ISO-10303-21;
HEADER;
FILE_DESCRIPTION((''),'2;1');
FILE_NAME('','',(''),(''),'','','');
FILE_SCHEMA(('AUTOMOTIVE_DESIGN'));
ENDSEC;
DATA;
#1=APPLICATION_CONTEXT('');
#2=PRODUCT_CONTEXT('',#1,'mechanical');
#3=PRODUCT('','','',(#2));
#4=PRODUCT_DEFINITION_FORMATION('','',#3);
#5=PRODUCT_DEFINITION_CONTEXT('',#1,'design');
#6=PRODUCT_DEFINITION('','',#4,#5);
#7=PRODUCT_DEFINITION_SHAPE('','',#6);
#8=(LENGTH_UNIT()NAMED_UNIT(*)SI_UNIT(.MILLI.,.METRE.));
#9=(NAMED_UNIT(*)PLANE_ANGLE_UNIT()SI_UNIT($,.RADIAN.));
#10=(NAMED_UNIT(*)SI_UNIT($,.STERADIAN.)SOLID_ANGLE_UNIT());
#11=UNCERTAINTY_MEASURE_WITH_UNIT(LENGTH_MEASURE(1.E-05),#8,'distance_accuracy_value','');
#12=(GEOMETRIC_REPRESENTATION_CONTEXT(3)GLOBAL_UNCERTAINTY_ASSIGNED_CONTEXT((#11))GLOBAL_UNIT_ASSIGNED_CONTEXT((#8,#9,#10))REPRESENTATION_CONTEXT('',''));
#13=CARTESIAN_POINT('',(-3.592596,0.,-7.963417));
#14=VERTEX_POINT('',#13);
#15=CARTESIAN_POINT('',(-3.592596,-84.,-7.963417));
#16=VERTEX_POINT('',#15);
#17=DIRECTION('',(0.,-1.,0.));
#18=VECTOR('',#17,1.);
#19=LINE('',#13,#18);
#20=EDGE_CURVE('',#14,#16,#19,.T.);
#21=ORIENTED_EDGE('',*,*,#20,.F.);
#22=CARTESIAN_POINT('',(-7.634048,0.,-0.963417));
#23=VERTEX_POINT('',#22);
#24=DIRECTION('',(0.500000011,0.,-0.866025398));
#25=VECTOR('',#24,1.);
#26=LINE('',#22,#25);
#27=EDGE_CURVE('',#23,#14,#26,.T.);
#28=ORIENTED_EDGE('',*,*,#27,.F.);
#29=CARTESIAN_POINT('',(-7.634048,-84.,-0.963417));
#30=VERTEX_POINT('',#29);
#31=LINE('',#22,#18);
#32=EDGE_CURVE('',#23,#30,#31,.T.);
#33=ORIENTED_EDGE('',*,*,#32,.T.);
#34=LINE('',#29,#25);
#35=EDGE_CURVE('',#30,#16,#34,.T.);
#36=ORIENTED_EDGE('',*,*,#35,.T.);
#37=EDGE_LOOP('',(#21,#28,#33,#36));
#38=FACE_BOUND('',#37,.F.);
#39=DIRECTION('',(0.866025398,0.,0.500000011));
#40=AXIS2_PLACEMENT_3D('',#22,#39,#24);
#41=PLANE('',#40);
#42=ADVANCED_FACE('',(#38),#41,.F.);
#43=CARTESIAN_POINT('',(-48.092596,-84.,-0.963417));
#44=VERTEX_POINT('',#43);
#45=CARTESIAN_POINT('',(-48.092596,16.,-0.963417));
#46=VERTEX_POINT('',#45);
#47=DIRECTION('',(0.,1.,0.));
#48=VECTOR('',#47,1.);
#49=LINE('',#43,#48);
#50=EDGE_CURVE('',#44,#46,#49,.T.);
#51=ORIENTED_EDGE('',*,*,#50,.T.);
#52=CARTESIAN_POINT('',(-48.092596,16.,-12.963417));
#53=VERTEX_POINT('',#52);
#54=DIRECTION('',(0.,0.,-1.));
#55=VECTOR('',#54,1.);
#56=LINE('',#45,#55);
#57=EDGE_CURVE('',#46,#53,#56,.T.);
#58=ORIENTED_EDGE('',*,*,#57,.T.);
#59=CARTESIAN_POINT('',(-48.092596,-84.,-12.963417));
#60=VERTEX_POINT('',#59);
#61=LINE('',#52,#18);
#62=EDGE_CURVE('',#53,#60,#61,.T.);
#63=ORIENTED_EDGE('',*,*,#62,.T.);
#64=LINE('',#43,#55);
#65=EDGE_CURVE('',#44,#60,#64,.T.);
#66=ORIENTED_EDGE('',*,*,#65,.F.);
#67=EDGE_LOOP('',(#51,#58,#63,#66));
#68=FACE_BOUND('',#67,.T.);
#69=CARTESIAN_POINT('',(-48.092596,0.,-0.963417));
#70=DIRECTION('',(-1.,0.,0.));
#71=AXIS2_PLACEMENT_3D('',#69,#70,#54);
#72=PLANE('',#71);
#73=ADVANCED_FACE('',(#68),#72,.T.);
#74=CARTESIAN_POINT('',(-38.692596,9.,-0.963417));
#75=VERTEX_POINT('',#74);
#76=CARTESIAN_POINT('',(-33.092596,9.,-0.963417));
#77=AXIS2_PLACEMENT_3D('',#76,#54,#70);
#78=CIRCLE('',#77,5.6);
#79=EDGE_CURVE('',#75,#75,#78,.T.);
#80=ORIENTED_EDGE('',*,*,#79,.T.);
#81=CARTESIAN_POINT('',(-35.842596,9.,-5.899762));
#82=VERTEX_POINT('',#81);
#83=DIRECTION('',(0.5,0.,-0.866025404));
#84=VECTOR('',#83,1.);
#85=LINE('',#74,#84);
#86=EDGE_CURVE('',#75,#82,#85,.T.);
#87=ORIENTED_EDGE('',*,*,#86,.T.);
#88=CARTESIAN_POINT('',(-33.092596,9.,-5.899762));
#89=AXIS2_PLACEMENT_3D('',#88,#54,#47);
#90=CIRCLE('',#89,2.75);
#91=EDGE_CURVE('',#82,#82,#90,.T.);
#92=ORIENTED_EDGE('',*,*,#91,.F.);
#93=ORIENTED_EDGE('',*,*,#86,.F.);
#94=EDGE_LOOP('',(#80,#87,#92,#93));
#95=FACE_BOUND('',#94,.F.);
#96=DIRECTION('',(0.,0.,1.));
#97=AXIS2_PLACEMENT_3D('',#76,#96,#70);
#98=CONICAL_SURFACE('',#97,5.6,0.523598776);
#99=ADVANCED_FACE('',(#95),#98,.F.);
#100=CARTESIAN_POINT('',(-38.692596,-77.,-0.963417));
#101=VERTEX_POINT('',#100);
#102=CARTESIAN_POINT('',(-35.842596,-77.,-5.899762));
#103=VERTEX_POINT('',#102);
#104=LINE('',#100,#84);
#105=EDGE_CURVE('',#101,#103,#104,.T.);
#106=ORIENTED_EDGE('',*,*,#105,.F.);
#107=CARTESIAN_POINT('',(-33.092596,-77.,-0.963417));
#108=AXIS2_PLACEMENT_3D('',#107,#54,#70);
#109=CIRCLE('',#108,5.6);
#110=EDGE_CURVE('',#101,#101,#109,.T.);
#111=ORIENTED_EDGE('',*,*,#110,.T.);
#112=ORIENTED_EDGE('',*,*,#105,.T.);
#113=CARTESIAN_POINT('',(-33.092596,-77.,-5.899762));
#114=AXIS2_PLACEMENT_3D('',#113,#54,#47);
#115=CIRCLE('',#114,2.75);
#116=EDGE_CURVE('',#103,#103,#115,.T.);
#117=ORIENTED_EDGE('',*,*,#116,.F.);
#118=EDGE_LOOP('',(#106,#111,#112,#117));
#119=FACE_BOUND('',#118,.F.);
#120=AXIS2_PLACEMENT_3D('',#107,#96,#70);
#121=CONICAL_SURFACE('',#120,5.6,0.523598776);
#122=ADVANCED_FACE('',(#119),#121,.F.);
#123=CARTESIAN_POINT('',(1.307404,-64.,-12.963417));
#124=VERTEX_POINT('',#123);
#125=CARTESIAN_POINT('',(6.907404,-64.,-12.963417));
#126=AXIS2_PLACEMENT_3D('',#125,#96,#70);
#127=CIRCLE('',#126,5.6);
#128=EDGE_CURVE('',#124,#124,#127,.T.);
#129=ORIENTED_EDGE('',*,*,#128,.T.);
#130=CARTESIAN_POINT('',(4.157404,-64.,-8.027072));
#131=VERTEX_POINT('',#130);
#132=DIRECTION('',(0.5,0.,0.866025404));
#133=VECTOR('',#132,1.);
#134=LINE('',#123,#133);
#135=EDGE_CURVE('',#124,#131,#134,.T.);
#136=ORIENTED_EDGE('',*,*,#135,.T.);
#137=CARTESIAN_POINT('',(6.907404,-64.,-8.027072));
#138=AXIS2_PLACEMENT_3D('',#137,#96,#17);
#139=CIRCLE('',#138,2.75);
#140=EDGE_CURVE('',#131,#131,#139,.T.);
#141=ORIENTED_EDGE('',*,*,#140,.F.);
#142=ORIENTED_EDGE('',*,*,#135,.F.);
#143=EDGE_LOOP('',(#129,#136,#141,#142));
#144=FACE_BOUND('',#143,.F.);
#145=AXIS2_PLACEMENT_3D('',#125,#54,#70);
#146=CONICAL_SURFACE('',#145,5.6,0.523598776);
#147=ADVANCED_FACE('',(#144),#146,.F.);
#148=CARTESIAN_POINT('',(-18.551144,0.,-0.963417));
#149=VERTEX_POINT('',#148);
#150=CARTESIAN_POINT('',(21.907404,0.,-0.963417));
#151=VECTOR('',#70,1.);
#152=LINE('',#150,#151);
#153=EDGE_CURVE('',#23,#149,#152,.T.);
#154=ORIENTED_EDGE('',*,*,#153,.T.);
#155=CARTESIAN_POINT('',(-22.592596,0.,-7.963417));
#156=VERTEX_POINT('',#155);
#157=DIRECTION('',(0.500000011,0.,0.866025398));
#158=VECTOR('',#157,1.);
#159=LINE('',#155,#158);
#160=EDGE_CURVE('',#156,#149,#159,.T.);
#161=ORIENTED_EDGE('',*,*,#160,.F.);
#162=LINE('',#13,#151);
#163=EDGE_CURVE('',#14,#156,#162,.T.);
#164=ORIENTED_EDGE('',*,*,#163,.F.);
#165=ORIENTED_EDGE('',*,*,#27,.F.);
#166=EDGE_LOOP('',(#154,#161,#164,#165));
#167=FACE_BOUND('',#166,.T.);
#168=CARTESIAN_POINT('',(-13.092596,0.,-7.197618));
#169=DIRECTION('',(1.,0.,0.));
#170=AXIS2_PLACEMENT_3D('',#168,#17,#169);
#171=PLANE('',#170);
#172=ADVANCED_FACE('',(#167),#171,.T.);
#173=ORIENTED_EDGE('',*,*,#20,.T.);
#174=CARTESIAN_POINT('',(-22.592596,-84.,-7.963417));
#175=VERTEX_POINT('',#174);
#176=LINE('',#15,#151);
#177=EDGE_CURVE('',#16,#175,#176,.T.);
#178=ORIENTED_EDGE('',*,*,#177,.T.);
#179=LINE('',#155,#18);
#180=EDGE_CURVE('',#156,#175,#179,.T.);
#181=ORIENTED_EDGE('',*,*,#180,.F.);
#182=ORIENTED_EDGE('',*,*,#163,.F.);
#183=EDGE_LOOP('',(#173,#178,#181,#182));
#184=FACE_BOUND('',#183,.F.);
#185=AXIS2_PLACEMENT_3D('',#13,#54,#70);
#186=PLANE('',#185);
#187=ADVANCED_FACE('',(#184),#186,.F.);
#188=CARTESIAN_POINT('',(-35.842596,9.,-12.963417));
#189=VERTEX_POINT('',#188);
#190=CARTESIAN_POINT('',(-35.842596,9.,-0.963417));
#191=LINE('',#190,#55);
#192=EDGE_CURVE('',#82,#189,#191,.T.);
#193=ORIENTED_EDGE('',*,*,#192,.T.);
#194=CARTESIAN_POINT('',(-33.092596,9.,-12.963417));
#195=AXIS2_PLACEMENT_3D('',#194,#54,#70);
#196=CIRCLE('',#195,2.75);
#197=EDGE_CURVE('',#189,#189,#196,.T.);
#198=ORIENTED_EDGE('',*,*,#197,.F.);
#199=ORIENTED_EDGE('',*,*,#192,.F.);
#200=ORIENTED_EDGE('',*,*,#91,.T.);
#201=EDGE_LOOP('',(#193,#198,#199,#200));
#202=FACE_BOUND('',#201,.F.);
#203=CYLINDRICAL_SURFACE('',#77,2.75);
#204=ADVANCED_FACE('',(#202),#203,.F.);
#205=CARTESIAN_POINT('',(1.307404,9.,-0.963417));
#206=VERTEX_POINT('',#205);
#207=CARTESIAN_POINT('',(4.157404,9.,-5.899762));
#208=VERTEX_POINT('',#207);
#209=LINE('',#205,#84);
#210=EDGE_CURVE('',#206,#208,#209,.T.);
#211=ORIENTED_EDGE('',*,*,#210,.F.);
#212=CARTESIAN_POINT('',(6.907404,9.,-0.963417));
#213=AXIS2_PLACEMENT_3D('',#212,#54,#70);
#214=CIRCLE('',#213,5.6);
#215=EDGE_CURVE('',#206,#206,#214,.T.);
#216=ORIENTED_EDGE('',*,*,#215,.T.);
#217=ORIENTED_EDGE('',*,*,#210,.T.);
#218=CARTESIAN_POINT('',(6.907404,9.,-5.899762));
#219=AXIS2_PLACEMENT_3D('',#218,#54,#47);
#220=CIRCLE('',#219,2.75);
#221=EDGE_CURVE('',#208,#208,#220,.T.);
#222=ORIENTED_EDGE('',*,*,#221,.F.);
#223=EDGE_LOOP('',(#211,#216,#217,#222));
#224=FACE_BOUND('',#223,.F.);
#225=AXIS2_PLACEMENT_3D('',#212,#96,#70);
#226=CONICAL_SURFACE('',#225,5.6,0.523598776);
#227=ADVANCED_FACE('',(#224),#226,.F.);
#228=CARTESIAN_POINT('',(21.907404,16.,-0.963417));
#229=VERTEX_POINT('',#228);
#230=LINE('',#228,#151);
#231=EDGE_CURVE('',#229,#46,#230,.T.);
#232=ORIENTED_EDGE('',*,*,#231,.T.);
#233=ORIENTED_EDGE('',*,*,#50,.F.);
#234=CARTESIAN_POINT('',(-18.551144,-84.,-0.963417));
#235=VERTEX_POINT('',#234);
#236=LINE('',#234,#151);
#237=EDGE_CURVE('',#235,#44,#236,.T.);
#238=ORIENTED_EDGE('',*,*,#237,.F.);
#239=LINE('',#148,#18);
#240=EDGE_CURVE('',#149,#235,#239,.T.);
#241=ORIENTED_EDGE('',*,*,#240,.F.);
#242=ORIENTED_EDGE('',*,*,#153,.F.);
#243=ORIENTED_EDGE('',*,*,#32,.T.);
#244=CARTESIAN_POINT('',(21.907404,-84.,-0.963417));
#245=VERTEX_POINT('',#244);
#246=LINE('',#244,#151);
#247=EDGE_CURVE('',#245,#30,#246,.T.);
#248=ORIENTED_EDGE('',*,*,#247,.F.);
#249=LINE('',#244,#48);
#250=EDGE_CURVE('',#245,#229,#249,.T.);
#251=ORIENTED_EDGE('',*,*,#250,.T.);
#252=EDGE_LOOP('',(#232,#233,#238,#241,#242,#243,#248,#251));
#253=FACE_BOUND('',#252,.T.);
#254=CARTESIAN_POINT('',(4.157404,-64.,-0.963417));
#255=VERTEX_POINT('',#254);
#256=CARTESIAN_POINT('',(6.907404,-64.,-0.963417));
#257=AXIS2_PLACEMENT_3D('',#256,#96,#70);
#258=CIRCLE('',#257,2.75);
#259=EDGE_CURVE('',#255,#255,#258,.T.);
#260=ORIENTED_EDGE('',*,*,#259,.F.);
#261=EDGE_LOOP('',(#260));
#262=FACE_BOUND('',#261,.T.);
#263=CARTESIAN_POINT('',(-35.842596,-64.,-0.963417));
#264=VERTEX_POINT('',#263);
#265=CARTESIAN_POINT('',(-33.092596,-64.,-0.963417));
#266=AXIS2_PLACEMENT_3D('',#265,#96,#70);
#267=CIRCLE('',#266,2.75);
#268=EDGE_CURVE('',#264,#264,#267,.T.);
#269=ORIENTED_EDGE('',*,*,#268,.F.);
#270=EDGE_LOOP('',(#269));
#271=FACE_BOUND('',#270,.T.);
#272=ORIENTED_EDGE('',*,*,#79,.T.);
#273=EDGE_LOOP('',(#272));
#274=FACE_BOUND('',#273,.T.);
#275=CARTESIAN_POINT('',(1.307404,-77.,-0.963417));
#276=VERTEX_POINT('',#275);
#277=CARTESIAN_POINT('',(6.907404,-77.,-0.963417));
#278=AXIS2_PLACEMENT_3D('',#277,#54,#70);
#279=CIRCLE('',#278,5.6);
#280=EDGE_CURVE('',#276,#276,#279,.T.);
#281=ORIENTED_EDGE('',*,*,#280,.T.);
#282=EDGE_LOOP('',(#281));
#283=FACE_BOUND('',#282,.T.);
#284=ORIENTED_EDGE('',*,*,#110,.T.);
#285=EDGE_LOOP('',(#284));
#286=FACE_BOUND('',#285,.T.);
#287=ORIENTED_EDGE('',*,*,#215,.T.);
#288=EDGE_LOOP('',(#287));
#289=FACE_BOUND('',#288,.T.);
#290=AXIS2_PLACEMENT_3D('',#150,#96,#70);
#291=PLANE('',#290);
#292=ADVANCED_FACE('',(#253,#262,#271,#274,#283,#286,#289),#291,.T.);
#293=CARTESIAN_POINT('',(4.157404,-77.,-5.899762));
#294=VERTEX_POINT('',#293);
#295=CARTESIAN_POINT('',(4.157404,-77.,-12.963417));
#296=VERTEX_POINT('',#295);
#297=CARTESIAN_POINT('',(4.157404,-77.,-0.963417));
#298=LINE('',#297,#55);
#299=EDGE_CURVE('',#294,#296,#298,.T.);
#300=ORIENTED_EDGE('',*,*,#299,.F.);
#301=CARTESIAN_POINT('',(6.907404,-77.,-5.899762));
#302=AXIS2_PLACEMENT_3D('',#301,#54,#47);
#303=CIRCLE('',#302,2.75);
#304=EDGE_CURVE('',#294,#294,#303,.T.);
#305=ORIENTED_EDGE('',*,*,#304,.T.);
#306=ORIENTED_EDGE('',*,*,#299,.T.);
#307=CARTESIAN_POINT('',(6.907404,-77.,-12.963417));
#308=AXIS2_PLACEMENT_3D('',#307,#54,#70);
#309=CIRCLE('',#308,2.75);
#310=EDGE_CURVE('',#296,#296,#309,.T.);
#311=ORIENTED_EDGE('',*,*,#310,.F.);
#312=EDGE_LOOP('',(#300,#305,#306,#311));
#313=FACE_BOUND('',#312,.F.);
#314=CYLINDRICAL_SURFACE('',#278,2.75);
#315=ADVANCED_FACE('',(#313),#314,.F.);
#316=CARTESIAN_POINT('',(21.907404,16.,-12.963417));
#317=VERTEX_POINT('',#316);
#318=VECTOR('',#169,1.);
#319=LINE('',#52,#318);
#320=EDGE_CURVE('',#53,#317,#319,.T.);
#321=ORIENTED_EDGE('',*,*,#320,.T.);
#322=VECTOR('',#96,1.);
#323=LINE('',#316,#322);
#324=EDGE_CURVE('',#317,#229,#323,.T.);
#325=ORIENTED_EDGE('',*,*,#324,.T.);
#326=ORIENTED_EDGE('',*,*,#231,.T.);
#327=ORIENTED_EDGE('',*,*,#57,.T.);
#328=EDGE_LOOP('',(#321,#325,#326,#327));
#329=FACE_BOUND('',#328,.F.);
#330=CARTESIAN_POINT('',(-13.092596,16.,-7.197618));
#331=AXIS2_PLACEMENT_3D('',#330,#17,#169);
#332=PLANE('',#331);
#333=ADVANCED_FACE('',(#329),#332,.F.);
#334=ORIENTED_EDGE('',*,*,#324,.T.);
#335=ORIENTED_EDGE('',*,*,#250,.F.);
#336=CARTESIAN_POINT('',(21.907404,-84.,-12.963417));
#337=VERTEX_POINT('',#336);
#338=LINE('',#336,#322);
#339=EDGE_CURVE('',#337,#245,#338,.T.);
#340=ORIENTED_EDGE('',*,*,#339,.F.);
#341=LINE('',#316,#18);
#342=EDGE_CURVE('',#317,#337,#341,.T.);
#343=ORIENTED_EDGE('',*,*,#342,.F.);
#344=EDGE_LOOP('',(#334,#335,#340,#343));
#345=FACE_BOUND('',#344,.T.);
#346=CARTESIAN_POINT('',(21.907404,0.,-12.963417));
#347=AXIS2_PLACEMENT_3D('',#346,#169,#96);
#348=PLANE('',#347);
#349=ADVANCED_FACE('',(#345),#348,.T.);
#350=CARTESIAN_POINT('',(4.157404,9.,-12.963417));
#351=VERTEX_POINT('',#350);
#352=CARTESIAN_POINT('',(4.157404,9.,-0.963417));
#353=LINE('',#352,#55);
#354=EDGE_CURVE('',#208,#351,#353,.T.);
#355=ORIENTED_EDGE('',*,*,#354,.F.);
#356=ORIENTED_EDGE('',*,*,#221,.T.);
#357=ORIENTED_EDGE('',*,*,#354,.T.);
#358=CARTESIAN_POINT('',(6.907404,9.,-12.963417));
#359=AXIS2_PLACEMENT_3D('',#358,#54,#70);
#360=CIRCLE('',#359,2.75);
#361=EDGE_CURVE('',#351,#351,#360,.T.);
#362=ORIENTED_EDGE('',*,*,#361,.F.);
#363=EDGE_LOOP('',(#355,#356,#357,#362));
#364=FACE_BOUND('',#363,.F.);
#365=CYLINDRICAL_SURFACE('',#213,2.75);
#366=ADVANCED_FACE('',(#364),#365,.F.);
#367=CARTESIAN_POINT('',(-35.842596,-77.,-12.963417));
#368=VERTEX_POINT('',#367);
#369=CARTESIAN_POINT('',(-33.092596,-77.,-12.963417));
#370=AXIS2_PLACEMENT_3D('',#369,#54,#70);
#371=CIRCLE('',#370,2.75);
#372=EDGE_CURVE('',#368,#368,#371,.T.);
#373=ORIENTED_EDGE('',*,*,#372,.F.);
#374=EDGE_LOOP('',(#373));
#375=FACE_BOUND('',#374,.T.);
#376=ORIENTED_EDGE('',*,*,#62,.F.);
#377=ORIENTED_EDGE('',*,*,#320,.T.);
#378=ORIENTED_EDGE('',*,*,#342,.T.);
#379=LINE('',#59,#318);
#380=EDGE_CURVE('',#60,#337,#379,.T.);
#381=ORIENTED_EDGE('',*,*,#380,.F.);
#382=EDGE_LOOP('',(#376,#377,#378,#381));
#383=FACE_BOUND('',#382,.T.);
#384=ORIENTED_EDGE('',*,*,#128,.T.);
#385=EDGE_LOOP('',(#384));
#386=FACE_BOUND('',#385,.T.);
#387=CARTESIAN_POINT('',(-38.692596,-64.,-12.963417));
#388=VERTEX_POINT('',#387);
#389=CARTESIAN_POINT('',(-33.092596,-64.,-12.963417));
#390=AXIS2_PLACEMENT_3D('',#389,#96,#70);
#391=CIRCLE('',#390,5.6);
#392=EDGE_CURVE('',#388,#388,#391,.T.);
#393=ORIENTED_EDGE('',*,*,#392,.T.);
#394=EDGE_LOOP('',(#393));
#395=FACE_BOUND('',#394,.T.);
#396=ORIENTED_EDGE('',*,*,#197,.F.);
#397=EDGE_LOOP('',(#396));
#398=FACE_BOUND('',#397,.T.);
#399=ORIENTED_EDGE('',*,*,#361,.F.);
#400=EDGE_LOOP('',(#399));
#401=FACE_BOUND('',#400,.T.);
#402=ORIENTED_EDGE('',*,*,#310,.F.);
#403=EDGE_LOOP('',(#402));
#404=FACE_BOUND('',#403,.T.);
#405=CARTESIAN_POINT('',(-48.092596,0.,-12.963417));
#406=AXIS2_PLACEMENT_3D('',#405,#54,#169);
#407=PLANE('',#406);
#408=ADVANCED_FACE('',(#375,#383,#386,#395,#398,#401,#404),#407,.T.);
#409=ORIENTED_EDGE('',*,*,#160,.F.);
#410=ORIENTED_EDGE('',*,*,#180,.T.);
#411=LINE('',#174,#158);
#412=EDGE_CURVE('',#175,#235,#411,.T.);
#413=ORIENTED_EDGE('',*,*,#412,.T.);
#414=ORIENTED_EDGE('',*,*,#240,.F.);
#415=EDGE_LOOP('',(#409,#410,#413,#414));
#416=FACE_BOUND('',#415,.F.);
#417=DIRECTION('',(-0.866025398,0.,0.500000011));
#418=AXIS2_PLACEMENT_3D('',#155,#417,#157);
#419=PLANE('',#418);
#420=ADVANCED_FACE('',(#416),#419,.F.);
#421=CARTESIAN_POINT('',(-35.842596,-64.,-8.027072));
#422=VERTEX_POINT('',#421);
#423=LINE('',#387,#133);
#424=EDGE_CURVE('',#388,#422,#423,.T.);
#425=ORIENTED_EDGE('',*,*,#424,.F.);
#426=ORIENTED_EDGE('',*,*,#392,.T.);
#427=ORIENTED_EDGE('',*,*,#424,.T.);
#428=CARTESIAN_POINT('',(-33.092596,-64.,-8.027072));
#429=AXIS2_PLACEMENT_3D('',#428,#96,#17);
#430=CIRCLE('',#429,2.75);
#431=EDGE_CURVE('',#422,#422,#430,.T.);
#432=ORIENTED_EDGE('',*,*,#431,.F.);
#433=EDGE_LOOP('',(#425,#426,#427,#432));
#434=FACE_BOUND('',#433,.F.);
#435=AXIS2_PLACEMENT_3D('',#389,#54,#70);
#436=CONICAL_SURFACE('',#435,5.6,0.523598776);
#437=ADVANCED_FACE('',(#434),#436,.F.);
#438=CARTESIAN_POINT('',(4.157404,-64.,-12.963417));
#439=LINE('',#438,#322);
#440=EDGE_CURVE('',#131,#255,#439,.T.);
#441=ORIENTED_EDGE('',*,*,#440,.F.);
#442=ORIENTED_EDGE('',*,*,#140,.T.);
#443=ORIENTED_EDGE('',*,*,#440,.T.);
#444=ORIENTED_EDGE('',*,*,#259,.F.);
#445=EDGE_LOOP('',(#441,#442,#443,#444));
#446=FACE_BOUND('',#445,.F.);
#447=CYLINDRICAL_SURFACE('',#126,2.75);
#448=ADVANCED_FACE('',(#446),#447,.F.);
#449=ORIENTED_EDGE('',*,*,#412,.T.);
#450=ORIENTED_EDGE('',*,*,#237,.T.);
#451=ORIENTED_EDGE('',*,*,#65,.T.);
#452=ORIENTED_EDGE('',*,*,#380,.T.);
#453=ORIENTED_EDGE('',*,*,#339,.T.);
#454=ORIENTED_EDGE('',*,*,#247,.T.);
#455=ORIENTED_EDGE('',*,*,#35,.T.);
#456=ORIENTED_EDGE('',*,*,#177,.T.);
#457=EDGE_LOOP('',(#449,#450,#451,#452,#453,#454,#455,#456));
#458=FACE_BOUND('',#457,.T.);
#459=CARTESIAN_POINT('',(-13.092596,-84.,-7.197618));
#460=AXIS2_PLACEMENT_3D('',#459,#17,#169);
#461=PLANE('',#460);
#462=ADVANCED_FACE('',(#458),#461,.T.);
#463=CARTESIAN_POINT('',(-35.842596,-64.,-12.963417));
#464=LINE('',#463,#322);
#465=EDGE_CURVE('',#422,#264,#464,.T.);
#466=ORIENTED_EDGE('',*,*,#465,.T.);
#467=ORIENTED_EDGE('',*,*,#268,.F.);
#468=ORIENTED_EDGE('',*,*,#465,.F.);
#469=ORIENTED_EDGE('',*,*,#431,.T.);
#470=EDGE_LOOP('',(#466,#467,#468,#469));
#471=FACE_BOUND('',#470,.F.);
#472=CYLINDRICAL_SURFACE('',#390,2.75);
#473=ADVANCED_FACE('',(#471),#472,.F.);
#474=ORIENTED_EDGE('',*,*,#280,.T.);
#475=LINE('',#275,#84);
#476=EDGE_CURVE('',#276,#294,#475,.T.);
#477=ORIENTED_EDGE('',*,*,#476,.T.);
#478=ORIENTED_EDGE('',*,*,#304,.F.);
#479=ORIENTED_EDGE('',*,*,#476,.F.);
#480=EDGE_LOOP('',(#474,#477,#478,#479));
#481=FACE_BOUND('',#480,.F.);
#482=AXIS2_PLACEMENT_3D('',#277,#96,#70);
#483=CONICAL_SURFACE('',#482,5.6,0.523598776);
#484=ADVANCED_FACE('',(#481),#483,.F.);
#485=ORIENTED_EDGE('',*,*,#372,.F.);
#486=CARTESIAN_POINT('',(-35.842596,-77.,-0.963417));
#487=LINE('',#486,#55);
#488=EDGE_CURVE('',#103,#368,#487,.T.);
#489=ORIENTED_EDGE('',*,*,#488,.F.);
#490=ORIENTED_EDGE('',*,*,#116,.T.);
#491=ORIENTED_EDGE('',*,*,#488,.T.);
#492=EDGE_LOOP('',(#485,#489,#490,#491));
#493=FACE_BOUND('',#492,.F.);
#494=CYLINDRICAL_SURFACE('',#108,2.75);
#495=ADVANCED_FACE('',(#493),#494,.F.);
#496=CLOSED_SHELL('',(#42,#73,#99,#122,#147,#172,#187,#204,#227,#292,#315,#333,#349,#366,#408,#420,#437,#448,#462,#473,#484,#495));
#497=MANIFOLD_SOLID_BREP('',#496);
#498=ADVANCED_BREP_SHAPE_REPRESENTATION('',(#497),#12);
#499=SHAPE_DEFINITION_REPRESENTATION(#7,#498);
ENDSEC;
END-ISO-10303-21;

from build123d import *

# Parameters (mm, degrees)
F1_DEPTH       = 84
F2_DEPTH       = 16
F4_D           = 5.5
F4_CSINK_D     = 11.2
F4_CSINK_ANGLE = 60
F6_D           = 5.5
F6_CSINK_D     = 11.2
F6_CSINK_ANGLE = 60


with BuildPart() as f1:
    # F0 (on Front) → F1 (new body)
    with BuildSketch(Plane.XZ):
        Polygon((-48.092596, -0.963417), (-48.092596, -12.963417), (21.907404, -12.963417), (21.907404, -0.963417), (-7.634048, -0.963417), (-3.592596, -7.963417), (-13.092596, -7.963417), (-22.592596, -7.963417), (-18.551144, -0.963417), align=None)
    extrude(amount=F1_DEPTH)

    # F0 (on Front) → F2 (join)
    with BuildSketch(Plane.XZ):
        Polygon((-48.092596, -0.963417), (-48.092596, -12.963417), (21.907404, -12.963417), (21.907404, -0.963417), (-7.634048, -0.963417), (-3.592596, -7.963417), (-13.092596, -7.963417), (-22.592596, -7.963417), (-18.551144, -0.963417), align=None)
        Polygon((-7.634048, -0.963417), (-18.551144, -0.963417), (-22.592596, -7.963417), (-13.092596, -7.963417), (-3.592596, -7.963417), align=None)
    extrude(amount=-F2_DEPTH)

    # F4 (through all)
    with Locations(Plane.XY.offset(-0.963417)):
        with Locations((-33.092596, 9), (6.907404, 9), (6.907404, -77), (-33.092596, -77)):
            CounterSinkHole(F4_D / 2, F4_CSINK_D / 2, counter_sink_angle=F4_CSINK_ANGLE)

    # F6 (through all)
    with Locations(Plane(origin=(0, 0, -12.963417), x_dir=(1, 0, 0), z_dir=(0, 0, -1))):
        with Locations((-33.092596, 64), (6.907404, 64)):
            CounterSinkHole(F6_D / 2, F6_CSINK_D / 2, counter_sink_angle=F6_CSINK_ANGLE)


solid = f1.part
